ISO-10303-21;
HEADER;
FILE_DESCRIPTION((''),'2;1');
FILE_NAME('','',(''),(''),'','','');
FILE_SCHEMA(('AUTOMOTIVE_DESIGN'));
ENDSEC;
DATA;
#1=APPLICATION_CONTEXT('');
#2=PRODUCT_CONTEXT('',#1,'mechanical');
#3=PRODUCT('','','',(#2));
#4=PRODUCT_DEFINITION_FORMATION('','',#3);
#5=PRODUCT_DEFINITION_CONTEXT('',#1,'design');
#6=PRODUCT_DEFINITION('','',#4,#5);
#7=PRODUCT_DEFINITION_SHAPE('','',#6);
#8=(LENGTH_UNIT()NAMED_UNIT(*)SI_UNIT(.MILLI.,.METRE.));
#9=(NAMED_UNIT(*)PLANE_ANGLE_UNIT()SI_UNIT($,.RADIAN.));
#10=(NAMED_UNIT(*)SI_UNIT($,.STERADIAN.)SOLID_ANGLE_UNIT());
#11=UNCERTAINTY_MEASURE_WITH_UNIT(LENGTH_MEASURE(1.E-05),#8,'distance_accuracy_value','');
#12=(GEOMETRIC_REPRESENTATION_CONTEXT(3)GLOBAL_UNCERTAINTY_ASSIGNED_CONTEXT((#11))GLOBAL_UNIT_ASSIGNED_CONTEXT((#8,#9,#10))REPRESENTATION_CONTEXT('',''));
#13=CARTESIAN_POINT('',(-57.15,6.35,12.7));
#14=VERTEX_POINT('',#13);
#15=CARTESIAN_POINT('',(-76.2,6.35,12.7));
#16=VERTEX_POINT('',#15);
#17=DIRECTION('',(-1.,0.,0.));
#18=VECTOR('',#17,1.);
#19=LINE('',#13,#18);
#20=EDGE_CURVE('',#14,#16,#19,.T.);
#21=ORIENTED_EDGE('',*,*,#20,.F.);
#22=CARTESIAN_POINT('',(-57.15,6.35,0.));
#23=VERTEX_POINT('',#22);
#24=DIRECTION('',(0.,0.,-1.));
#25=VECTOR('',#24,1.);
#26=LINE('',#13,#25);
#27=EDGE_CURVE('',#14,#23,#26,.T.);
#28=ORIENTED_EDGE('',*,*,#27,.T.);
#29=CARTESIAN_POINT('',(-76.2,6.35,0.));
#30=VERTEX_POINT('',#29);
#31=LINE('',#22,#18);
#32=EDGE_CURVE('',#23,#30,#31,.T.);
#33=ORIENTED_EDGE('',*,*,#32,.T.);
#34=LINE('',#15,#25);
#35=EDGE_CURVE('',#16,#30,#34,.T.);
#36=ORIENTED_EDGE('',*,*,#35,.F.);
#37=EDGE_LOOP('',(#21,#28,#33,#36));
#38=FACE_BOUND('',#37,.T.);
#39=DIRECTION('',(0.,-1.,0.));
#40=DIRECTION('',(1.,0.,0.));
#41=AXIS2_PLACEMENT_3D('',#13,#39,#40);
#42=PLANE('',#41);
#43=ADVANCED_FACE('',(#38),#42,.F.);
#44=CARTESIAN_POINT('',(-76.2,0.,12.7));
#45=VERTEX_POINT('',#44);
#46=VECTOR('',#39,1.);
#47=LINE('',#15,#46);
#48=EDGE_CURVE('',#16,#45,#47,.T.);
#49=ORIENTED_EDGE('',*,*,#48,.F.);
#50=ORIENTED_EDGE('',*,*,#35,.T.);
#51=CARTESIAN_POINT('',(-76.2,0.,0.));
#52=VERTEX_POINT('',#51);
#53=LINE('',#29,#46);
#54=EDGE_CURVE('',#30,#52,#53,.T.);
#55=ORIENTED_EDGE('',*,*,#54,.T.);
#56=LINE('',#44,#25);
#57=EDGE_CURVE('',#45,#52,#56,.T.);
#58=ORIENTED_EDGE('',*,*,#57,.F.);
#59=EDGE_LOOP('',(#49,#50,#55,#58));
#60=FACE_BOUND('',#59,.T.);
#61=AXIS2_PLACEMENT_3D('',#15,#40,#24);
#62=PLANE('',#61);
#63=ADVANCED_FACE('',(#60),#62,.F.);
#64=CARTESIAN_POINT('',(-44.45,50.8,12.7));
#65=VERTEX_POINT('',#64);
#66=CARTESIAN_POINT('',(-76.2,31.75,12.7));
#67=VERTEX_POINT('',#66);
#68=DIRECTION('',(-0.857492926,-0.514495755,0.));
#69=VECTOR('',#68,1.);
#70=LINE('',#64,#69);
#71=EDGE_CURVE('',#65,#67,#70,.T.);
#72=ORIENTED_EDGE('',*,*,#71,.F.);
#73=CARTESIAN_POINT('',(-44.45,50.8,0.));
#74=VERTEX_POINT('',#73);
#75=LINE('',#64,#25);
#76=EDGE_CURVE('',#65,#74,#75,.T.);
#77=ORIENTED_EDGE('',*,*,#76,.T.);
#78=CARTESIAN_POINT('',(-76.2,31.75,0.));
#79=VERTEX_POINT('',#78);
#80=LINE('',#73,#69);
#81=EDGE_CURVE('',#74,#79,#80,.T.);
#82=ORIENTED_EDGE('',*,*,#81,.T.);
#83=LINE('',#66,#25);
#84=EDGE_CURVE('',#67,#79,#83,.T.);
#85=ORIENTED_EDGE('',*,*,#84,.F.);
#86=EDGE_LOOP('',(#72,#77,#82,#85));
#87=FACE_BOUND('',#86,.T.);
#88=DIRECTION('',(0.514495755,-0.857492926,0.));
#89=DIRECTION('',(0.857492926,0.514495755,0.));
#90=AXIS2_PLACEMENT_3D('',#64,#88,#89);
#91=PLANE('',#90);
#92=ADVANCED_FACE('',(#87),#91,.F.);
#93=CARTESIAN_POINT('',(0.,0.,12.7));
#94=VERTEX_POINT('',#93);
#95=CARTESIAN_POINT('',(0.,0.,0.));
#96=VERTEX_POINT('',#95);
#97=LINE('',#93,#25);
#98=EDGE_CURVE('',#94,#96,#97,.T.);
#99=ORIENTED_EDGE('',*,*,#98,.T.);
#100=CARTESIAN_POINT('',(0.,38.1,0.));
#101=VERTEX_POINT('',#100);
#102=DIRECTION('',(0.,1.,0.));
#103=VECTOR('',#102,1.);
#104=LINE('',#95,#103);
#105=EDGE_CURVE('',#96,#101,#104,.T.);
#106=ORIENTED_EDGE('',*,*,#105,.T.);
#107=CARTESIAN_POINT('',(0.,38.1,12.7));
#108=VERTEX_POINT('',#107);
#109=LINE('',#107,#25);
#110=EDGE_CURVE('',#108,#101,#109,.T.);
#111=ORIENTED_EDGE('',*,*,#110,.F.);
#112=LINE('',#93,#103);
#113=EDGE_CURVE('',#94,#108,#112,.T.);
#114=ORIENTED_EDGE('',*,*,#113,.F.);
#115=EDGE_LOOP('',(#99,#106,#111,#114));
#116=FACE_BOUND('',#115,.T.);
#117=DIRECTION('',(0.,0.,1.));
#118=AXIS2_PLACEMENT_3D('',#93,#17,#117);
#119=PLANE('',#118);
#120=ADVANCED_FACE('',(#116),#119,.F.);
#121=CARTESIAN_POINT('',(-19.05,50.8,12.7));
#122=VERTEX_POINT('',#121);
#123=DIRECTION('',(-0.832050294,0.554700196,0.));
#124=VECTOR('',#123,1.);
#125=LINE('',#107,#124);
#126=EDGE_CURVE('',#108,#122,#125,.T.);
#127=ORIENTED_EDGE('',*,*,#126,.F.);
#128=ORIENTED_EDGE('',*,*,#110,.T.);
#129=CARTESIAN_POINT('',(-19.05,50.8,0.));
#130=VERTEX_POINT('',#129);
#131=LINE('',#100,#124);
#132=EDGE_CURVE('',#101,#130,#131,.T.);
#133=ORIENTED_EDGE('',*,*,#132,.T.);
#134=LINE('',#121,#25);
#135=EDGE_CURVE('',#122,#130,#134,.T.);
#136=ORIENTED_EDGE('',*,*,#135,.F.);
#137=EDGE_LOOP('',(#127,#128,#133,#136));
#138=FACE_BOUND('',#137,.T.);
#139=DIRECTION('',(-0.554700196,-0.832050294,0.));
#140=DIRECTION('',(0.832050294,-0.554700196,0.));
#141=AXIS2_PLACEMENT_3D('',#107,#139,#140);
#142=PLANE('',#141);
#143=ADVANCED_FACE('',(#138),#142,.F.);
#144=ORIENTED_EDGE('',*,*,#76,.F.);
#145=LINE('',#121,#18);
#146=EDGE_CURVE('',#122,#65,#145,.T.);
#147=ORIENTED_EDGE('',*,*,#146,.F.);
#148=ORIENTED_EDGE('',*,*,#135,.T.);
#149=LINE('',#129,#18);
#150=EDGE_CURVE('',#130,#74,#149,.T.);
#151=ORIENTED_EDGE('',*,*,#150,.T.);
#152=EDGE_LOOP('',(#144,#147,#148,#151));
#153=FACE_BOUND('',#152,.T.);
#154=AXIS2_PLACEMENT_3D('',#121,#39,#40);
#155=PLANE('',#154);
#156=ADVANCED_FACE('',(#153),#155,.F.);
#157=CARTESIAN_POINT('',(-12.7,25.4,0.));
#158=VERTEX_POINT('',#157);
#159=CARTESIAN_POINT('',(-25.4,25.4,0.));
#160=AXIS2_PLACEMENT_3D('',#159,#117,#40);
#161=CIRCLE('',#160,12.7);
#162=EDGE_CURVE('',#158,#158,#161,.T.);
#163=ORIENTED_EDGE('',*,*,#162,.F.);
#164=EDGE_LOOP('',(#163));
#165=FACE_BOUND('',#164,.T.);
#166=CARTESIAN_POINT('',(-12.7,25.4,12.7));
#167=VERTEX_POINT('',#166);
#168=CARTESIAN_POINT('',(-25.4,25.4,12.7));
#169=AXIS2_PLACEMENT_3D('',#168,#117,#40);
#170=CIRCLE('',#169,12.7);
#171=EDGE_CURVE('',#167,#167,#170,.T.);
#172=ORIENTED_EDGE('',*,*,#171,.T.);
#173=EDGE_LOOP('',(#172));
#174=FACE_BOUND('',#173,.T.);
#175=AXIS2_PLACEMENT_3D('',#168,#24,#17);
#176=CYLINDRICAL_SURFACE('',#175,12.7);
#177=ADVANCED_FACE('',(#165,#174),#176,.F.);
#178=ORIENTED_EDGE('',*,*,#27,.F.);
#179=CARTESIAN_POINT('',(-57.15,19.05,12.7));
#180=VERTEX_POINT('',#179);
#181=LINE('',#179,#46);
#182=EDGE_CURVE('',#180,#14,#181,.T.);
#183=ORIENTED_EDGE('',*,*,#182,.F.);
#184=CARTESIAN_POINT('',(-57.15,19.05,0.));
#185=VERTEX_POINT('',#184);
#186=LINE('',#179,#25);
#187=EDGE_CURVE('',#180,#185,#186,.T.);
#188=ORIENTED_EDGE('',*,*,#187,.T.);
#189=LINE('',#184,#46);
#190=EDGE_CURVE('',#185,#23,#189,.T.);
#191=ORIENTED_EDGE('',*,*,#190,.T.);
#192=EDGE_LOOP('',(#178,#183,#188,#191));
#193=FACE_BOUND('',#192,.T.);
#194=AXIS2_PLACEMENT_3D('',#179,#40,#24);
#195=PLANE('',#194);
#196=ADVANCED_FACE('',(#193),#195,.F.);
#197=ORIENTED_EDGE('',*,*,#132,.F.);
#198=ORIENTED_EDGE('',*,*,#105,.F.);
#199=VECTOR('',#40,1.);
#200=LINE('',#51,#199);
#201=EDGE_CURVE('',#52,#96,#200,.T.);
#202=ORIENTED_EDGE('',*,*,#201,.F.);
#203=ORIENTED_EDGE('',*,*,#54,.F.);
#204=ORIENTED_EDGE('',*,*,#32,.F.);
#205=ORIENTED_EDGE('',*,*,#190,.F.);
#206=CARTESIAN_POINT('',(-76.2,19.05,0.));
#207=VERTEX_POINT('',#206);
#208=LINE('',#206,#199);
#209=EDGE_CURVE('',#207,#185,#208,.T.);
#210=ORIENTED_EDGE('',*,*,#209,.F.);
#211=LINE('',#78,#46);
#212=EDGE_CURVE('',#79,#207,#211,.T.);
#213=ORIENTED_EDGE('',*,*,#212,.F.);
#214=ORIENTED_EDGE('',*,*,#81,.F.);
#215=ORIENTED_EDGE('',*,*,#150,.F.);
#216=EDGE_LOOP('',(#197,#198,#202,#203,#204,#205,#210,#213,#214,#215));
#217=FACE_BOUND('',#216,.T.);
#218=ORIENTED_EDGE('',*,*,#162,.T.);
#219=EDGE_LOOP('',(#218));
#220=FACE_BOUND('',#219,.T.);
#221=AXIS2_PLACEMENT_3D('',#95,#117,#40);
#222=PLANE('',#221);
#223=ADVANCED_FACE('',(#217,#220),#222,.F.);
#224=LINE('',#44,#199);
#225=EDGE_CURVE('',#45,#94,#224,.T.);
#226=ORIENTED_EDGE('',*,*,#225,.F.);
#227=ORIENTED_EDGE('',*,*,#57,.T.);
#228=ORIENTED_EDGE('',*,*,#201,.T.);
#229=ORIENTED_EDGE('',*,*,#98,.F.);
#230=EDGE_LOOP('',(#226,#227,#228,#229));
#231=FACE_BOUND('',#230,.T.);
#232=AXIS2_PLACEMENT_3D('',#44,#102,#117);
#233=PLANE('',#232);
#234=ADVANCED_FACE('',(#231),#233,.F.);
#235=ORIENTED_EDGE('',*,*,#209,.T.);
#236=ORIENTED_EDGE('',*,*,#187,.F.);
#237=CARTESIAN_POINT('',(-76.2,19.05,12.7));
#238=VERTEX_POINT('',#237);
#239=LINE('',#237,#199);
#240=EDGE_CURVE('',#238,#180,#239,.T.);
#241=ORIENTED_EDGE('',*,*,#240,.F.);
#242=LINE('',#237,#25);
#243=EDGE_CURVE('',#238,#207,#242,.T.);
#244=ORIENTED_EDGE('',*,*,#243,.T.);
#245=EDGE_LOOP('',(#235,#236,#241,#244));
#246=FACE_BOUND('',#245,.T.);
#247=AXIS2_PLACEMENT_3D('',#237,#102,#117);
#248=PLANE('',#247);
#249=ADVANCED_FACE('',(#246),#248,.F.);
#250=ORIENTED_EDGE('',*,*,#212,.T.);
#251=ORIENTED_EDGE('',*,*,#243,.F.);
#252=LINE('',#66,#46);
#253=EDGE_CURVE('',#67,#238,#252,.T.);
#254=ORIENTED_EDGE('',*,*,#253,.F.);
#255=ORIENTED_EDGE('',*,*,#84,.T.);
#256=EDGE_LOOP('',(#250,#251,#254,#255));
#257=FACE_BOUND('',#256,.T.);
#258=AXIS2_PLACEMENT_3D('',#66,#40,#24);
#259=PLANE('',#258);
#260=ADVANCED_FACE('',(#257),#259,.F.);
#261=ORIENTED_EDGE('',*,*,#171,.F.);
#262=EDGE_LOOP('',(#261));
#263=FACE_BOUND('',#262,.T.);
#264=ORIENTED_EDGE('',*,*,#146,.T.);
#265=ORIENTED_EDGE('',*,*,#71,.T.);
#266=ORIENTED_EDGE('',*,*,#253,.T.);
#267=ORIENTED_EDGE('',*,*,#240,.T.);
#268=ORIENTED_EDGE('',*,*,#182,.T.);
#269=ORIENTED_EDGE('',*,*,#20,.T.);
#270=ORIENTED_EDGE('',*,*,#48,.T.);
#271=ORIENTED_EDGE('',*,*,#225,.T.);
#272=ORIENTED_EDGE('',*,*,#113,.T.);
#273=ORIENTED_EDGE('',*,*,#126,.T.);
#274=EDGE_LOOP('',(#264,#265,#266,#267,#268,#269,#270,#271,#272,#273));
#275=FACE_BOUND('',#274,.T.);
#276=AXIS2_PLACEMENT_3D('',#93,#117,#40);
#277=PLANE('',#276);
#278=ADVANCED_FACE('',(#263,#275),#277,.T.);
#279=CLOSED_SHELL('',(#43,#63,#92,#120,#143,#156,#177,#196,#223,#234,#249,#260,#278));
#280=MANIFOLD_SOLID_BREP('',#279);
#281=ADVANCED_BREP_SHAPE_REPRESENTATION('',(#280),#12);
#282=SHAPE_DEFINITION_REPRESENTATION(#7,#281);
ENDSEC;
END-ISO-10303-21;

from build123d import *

# Parameters (mm, degrees)
SKETCH1_R           = 12.7
BOSS_EXTRUDE1_DEPTH = 12.7


with BuildPart() as part:
    # Sketch1 → Boss-Extrude1 (new body)
    with BuildSketch(Plane.XY):
        Polygon((0, 0), (0, 38.1), (-19.05, 50.8), (-44.45, 50.8), (-76.2, 31.75), (-76.2, 19.05), (-57.15, 19.05), (-57.15, 6.35), (-76.2, 6.35), (-76.2, 0), align=None)
        with Locations((-25.4, 25.4)):
            Circle(SKETCH1_R, mode=Mode.SUBTRACT)
    extrude(amount=BOSS_EXTRUDE1_DEPTH)


solid = part.part
